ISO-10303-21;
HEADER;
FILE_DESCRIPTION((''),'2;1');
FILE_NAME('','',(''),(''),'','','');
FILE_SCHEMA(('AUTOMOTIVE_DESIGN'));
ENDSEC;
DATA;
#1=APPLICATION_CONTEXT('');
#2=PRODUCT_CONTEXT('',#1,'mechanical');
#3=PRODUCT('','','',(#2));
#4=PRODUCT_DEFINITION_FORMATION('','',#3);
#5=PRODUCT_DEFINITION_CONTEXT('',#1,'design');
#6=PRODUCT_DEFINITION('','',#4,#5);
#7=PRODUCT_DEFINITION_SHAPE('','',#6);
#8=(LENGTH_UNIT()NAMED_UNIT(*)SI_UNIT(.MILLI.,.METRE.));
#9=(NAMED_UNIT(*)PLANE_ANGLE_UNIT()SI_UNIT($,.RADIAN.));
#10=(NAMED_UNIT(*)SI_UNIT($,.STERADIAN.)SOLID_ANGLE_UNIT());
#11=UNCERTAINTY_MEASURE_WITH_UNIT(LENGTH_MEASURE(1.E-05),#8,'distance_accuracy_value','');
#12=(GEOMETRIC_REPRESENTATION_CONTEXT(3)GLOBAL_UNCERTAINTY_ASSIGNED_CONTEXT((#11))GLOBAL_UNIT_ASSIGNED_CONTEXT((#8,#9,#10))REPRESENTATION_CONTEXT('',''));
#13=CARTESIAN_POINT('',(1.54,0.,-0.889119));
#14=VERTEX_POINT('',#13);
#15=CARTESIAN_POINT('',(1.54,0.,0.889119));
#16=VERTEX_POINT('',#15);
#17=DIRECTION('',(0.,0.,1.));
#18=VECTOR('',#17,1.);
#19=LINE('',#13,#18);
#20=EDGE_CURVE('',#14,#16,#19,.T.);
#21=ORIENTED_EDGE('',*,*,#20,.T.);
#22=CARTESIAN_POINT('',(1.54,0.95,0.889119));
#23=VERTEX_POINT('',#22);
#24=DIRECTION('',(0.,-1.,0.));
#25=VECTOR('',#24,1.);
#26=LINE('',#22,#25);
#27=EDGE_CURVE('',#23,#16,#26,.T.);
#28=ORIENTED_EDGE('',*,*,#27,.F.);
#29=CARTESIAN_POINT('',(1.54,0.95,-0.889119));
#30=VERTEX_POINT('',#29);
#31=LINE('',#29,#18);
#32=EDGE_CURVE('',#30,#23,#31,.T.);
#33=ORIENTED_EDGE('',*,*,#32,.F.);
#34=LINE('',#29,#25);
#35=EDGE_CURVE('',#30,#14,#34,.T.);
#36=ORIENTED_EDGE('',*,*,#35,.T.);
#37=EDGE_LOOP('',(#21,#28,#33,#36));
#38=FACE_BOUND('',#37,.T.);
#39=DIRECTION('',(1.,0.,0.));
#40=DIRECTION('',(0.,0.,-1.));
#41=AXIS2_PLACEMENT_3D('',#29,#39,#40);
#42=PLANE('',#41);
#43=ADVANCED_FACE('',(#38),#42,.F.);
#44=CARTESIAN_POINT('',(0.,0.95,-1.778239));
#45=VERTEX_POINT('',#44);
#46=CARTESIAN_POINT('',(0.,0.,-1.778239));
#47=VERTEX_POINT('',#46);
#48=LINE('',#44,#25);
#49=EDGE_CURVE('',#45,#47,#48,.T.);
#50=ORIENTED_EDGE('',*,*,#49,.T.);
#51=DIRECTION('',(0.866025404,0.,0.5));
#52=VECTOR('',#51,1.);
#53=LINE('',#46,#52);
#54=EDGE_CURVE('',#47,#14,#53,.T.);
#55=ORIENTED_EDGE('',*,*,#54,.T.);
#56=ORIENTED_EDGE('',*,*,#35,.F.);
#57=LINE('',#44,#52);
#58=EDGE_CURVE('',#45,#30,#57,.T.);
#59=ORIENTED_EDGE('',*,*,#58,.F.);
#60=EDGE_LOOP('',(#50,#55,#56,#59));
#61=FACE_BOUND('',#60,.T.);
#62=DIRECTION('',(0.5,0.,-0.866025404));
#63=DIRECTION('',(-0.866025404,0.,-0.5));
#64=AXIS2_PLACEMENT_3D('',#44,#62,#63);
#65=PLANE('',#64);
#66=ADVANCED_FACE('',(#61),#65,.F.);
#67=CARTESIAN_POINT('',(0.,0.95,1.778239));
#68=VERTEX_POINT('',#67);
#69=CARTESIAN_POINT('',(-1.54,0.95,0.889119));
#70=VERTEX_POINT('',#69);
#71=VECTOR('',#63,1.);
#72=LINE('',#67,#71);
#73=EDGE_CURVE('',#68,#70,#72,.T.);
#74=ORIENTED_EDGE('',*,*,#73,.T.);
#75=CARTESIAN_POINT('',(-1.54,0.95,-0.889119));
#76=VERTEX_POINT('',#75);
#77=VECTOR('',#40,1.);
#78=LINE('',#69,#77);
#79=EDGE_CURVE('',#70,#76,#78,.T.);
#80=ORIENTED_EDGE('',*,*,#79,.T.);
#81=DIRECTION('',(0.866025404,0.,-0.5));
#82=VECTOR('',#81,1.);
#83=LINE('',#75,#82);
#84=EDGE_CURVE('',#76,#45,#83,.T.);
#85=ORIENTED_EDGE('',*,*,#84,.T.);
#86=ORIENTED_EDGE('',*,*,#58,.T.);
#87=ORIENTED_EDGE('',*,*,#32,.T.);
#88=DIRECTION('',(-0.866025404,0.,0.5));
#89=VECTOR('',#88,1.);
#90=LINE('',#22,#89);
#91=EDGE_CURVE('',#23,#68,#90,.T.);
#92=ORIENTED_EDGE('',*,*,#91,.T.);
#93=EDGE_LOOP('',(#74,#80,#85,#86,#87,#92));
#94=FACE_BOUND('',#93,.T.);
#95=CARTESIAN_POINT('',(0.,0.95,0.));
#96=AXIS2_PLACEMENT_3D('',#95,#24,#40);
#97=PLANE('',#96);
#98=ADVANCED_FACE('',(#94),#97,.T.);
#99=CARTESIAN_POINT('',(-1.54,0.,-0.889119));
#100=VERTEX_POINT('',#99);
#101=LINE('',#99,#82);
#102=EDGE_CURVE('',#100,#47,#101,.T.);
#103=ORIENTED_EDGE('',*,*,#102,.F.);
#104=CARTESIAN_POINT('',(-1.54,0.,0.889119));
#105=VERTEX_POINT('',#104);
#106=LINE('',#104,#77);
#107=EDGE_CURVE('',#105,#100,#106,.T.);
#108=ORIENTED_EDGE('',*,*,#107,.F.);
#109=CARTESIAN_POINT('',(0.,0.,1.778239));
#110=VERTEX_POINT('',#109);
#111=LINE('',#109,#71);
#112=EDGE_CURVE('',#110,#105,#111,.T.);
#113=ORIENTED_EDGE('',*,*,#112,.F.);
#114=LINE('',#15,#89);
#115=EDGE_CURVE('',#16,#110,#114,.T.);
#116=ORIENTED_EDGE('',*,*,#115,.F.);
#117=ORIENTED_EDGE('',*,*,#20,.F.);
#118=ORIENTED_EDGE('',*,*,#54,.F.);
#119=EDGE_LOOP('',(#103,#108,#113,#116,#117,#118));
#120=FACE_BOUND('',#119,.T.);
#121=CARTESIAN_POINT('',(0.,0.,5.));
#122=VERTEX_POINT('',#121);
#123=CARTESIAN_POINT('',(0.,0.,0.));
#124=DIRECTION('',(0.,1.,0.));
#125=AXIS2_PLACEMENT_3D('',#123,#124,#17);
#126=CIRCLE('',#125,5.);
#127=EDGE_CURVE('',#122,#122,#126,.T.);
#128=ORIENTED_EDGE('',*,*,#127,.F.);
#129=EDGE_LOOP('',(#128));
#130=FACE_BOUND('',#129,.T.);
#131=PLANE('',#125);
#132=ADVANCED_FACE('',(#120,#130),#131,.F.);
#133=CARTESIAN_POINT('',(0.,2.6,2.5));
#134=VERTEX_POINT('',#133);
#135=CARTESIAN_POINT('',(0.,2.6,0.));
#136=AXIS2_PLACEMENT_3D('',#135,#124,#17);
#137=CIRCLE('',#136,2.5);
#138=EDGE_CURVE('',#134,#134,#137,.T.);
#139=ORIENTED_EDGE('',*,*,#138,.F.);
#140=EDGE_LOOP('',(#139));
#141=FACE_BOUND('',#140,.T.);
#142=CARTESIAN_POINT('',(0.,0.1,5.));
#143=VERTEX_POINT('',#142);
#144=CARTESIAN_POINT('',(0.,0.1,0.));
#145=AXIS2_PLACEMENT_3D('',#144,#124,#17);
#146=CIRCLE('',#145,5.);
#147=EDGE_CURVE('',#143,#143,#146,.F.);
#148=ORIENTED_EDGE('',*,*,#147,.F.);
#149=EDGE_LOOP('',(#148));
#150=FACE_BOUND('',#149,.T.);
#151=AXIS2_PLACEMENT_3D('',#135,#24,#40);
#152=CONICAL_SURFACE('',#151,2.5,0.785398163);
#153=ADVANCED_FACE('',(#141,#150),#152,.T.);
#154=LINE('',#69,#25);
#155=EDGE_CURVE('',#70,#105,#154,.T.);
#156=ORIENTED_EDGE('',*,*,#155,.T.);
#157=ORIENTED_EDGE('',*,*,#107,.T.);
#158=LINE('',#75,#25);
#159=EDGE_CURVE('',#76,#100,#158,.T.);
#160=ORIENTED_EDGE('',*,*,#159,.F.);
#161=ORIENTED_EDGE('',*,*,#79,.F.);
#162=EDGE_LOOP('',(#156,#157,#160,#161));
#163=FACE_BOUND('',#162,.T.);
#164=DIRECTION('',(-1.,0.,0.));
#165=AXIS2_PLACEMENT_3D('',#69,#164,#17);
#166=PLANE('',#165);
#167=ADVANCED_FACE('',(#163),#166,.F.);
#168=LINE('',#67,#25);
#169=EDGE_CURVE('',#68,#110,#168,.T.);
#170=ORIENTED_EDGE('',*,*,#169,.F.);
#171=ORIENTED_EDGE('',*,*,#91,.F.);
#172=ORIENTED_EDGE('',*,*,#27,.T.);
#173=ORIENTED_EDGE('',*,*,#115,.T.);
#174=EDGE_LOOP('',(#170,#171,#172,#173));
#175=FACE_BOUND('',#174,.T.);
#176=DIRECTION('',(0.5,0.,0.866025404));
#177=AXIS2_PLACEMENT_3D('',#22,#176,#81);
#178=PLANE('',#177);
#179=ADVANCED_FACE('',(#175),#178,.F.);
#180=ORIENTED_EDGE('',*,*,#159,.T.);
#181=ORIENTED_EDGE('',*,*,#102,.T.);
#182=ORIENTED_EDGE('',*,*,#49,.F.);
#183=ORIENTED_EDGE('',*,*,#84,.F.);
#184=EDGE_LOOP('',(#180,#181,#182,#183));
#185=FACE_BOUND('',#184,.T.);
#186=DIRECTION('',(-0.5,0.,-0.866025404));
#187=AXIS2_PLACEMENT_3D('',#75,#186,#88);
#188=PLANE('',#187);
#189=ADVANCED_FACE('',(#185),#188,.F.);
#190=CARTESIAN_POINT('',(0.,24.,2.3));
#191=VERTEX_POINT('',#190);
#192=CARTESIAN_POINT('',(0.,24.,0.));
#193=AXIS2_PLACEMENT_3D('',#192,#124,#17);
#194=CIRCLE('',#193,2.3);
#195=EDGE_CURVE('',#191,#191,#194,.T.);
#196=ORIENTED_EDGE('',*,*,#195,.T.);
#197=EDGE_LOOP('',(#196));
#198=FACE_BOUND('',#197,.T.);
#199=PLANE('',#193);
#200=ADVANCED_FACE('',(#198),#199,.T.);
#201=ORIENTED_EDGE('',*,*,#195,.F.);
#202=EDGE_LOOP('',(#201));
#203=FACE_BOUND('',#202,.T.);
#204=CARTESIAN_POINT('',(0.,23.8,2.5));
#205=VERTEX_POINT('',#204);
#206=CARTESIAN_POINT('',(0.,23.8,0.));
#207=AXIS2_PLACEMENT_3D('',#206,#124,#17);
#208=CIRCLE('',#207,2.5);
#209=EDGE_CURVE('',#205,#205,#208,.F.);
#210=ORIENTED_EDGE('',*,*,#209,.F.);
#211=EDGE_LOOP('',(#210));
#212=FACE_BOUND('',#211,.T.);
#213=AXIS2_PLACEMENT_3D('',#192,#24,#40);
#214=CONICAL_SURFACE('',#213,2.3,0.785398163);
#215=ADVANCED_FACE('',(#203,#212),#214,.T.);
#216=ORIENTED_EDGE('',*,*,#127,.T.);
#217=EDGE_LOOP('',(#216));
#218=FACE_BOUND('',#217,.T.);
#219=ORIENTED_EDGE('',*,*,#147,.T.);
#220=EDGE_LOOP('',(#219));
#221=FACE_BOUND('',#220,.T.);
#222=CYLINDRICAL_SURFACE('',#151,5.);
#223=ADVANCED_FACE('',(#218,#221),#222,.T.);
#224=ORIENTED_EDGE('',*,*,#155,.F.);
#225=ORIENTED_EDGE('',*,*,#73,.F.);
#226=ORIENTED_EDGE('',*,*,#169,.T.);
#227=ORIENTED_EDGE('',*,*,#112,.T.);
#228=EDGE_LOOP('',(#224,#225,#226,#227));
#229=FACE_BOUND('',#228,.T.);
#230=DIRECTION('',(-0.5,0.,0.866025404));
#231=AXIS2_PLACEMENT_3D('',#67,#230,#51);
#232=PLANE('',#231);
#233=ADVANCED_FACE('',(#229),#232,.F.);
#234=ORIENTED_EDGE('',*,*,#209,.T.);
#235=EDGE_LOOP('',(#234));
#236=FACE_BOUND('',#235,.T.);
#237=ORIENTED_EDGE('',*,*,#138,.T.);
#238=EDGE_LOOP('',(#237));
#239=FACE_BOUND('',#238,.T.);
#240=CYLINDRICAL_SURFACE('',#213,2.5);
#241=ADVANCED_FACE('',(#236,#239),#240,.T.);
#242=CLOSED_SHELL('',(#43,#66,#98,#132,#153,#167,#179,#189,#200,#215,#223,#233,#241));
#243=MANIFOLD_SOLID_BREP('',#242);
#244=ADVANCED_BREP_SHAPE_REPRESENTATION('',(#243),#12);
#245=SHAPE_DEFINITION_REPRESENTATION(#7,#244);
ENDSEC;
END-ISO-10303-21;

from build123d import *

# Parameters (mm, degrees)
SKETCH_1_R          = 5
EXTRUDE_1_DEPTH     = 2.6
CHAMFER_1_SIZE      = 2.5
CUT_EXTRUDE_1_DEPTH = 0.95
SKETCH_3_R          = 2.5
EXTRUDE_2_DEPTH     = 21.4
CHAMFER_2_SIZE      = 0.2


with BuildPart() as part:
    # 草图1 → 凸台-拉伸1 (new body)
    with BuildSketch(Plane(origin=(0, 0, 0), x_dir=(1, 0, 0), z_dir=(0, 1, 0))):
        with Locations(Location((0, 0, 0), (0, 0, 270))):
            Circle(SKETCH_1_R)
    extrude(amount=EXTRUDE_1_DEPTH)

    # 倒角1
    chamfer_1_edges = [part.edges().sort_by_distance(p)[0] for p in [
        (0, 2.6, -5),
    ]]
    chamfer(chamfer_1_edges, length=CHAMFER_1_SIZE)

    # 草图2 → 切除-拉伸1 (cut)
    with BuildSketch(Plane.XZ):
        Polygon((1.54, -0.889119415), (1.54, 0.889119415), (0, 1.778238829), (-1.54, 0.889119415), (-1.54, -0.889119415), (0, -1.778238829), align=None)
    extrude(amount=-CUT_EXTRUDE_1_DEPTH, mode=Mode.SUBTRACT)

    # 草图3 → 凸台-拉伸2 (add)
    with BuildSketch(Plane(origin=(0, 2.6, 0), x_dir=(1, 0, 0), z_dir=(0, 1, 0))):
        with Locations(Location((0, 0, 0), (0, 0, 270))):
            Circle(SKETCH_3_R)
    extrude(amount=EXTRUDE_2_DEPTH)

    # 倒角2
    chamfer_2_edges = [part.edges().sort_by_distance(p)[0] for p in [
        (0, 24, -2.5),
    ]]
    chamfer(chamfer_2_edges, length=CHAMFER_2_SIZE)


solid = part.part
